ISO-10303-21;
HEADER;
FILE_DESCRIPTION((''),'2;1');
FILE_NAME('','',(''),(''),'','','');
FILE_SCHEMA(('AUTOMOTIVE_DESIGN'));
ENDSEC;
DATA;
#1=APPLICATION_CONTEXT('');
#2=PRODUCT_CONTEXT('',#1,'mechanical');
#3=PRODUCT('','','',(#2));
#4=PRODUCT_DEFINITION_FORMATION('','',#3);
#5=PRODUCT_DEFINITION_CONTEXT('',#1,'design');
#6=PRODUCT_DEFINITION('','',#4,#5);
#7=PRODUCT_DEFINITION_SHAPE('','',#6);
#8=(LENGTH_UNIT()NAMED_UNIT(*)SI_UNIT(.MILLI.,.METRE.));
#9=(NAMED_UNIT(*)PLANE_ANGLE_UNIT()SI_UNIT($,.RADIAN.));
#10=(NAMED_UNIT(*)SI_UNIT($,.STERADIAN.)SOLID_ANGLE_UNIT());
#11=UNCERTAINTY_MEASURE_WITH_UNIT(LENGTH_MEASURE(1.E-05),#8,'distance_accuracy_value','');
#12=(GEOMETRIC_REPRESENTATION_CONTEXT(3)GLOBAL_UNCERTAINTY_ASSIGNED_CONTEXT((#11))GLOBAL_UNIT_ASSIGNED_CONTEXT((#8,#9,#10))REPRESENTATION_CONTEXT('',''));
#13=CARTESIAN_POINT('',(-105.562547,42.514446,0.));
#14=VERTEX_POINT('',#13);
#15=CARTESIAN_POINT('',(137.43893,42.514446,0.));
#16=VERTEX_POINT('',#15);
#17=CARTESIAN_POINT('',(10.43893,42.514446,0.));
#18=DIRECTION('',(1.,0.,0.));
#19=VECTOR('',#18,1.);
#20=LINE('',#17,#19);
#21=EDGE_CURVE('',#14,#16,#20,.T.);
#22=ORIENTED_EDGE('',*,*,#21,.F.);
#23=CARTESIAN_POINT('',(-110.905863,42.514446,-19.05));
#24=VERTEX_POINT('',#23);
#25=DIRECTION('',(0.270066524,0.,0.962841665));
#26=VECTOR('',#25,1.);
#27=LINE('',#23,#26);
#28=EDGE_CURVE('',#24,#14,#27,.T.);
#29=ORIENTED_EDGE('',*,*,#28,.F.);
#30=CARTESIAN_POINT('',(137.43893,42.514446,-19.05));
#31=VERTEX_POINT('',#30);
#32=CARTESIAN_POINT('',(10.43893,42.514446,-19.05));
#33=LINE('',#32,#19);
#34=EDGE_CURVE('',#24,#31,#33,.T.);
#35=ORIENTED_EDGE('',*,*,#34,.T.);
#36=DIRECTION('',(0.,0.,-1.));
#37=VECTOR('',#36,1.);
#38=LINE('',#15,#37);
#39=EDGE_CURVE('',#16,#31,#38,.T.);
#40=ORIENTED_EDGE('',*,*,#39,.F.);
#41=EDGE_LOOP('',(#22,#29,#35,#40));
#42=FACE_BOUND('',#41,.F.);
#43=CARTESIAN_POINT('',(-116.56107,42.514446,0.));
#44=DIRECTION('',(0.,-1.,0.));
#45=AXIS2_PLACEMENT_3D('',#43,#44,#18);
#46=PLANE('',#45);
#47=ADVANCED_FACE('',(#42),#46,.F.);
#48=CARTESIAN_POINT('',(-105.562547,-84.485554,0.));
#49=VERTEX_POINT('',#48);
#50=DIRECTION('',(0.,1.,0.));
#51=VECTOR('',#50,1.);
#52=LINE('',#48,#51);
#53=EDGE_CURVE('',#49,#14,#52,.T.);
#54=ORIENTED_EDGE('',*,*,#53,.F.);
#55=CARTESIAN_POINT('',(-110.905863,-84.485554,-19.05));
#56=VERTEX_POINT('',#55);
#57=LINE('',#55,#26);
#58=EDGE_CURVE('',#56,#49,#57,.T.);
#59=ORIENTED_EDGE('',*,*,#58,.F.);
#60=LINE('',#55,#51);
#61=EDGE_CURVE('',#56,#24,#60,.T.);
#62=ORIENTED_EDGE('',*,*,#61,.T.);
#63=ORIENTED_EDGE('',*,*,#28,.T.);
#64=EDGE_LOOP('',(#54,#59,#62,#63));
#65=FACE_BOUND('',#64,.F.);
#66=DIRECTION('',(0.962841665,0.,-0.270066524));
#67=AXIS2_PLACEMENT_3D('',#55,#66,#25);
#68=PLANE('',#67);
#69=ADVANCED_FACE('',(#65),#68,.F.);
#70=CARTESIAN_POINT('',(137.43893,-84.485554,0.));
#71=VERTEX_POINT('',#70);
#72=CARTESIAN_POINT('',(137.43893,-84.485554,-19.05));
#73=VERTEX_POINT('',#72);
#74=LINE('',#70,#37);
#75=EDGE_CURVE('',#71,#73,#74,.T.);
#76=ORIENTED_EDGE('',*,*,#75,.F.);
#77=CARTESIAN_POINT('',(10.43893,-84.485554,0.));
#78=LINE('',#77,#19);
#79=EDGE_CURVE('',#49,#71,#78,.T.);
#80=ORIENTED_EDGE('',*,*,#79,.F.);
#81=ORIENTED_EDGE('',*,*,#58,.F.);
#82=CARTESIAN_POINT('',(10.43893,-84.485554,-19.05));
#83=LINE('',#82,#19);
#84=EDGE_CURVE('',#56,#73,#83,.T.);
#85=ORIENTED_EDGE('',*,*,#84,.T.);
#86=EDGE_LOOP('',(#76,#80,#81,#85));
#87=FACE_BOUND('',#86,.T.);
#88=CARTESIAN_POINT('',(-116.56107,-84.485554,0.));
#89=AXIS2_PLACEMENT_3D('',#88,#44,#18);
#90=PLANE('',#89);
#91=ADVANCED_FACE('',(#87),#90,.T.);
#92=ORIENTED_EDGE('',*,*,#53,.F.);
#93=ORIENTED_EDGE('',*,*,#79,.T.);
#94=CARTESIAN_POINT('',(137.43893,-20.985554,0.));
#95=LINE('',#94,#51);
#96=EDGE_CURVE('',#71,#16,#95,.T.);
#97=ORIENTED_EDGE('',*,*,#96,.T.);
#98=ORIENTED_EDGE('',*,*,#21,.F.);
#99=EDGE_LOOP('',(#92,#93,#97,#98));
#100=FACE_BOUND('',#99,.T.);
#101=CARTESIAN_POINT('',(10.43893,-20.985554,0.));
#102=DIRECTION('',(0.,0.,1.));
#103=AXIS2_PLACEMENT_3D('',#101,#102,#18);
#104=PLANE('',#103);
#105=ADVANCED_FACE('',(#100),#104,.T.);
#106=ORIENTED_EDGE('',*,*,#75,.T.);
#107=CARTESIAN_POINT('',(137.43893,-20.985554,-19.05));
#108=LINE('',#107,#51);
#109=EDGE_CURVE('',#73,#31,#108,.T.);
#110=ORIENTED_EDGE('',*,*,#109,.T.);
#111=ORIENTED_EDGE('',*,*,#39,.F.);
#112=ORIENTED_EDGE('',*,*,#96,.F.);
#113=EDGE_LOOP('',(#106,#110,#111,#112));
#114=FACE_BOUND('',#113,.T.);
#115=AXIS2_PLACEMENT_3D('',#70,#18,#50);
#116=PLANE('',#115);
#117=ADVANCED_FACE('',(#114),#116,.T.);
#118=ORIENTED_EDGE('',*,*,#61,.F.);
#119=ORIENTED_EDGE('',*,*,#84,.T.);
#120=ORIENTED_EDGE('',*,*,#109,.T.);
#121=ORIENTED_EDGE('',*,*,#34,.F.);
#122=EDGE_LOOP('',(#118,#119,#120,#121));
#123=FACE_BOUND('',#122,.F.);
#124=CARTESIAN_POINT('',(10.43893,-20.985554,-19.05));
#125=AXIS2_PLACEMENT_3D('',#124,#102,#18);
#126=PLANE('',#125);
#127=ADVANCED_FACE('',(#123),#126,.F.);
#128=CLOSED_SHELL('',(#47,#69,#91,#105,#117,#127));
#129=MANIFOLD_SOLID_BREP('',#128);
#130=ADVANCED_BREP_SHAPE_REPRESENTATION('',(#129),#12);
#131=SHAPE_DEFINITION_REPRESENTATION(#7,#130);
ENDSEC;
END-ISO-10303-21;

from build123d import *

# Parameters (mm, degrees)
F0_W     = 254
F0_H     = 127
F1_DEPTH = 19.05
F3_DEPTH = 127


with BuildPart() as f1:
    # F0 (on Top) → F1 (new body)
    with BuildSketch(Plane.XY):
        with Locations((10.43893, -20.985554)):
            Rectangle(F0_W, F0_H)
    extrude(amount=-F1_DEPTH)

    # F2 (on face) → F3 (cut)
    with BuildSketch(Plane.XZ.offset(84.485554)):
        Polygon((-110.905863, -19.05), (-105.562547, 0), (-116.56107, 0), (-116.56107, -19.05), align=None)
    extrude(amount=-F3_DEPTH, mode=Mode.SUBTRACT)


solid = f1.part
